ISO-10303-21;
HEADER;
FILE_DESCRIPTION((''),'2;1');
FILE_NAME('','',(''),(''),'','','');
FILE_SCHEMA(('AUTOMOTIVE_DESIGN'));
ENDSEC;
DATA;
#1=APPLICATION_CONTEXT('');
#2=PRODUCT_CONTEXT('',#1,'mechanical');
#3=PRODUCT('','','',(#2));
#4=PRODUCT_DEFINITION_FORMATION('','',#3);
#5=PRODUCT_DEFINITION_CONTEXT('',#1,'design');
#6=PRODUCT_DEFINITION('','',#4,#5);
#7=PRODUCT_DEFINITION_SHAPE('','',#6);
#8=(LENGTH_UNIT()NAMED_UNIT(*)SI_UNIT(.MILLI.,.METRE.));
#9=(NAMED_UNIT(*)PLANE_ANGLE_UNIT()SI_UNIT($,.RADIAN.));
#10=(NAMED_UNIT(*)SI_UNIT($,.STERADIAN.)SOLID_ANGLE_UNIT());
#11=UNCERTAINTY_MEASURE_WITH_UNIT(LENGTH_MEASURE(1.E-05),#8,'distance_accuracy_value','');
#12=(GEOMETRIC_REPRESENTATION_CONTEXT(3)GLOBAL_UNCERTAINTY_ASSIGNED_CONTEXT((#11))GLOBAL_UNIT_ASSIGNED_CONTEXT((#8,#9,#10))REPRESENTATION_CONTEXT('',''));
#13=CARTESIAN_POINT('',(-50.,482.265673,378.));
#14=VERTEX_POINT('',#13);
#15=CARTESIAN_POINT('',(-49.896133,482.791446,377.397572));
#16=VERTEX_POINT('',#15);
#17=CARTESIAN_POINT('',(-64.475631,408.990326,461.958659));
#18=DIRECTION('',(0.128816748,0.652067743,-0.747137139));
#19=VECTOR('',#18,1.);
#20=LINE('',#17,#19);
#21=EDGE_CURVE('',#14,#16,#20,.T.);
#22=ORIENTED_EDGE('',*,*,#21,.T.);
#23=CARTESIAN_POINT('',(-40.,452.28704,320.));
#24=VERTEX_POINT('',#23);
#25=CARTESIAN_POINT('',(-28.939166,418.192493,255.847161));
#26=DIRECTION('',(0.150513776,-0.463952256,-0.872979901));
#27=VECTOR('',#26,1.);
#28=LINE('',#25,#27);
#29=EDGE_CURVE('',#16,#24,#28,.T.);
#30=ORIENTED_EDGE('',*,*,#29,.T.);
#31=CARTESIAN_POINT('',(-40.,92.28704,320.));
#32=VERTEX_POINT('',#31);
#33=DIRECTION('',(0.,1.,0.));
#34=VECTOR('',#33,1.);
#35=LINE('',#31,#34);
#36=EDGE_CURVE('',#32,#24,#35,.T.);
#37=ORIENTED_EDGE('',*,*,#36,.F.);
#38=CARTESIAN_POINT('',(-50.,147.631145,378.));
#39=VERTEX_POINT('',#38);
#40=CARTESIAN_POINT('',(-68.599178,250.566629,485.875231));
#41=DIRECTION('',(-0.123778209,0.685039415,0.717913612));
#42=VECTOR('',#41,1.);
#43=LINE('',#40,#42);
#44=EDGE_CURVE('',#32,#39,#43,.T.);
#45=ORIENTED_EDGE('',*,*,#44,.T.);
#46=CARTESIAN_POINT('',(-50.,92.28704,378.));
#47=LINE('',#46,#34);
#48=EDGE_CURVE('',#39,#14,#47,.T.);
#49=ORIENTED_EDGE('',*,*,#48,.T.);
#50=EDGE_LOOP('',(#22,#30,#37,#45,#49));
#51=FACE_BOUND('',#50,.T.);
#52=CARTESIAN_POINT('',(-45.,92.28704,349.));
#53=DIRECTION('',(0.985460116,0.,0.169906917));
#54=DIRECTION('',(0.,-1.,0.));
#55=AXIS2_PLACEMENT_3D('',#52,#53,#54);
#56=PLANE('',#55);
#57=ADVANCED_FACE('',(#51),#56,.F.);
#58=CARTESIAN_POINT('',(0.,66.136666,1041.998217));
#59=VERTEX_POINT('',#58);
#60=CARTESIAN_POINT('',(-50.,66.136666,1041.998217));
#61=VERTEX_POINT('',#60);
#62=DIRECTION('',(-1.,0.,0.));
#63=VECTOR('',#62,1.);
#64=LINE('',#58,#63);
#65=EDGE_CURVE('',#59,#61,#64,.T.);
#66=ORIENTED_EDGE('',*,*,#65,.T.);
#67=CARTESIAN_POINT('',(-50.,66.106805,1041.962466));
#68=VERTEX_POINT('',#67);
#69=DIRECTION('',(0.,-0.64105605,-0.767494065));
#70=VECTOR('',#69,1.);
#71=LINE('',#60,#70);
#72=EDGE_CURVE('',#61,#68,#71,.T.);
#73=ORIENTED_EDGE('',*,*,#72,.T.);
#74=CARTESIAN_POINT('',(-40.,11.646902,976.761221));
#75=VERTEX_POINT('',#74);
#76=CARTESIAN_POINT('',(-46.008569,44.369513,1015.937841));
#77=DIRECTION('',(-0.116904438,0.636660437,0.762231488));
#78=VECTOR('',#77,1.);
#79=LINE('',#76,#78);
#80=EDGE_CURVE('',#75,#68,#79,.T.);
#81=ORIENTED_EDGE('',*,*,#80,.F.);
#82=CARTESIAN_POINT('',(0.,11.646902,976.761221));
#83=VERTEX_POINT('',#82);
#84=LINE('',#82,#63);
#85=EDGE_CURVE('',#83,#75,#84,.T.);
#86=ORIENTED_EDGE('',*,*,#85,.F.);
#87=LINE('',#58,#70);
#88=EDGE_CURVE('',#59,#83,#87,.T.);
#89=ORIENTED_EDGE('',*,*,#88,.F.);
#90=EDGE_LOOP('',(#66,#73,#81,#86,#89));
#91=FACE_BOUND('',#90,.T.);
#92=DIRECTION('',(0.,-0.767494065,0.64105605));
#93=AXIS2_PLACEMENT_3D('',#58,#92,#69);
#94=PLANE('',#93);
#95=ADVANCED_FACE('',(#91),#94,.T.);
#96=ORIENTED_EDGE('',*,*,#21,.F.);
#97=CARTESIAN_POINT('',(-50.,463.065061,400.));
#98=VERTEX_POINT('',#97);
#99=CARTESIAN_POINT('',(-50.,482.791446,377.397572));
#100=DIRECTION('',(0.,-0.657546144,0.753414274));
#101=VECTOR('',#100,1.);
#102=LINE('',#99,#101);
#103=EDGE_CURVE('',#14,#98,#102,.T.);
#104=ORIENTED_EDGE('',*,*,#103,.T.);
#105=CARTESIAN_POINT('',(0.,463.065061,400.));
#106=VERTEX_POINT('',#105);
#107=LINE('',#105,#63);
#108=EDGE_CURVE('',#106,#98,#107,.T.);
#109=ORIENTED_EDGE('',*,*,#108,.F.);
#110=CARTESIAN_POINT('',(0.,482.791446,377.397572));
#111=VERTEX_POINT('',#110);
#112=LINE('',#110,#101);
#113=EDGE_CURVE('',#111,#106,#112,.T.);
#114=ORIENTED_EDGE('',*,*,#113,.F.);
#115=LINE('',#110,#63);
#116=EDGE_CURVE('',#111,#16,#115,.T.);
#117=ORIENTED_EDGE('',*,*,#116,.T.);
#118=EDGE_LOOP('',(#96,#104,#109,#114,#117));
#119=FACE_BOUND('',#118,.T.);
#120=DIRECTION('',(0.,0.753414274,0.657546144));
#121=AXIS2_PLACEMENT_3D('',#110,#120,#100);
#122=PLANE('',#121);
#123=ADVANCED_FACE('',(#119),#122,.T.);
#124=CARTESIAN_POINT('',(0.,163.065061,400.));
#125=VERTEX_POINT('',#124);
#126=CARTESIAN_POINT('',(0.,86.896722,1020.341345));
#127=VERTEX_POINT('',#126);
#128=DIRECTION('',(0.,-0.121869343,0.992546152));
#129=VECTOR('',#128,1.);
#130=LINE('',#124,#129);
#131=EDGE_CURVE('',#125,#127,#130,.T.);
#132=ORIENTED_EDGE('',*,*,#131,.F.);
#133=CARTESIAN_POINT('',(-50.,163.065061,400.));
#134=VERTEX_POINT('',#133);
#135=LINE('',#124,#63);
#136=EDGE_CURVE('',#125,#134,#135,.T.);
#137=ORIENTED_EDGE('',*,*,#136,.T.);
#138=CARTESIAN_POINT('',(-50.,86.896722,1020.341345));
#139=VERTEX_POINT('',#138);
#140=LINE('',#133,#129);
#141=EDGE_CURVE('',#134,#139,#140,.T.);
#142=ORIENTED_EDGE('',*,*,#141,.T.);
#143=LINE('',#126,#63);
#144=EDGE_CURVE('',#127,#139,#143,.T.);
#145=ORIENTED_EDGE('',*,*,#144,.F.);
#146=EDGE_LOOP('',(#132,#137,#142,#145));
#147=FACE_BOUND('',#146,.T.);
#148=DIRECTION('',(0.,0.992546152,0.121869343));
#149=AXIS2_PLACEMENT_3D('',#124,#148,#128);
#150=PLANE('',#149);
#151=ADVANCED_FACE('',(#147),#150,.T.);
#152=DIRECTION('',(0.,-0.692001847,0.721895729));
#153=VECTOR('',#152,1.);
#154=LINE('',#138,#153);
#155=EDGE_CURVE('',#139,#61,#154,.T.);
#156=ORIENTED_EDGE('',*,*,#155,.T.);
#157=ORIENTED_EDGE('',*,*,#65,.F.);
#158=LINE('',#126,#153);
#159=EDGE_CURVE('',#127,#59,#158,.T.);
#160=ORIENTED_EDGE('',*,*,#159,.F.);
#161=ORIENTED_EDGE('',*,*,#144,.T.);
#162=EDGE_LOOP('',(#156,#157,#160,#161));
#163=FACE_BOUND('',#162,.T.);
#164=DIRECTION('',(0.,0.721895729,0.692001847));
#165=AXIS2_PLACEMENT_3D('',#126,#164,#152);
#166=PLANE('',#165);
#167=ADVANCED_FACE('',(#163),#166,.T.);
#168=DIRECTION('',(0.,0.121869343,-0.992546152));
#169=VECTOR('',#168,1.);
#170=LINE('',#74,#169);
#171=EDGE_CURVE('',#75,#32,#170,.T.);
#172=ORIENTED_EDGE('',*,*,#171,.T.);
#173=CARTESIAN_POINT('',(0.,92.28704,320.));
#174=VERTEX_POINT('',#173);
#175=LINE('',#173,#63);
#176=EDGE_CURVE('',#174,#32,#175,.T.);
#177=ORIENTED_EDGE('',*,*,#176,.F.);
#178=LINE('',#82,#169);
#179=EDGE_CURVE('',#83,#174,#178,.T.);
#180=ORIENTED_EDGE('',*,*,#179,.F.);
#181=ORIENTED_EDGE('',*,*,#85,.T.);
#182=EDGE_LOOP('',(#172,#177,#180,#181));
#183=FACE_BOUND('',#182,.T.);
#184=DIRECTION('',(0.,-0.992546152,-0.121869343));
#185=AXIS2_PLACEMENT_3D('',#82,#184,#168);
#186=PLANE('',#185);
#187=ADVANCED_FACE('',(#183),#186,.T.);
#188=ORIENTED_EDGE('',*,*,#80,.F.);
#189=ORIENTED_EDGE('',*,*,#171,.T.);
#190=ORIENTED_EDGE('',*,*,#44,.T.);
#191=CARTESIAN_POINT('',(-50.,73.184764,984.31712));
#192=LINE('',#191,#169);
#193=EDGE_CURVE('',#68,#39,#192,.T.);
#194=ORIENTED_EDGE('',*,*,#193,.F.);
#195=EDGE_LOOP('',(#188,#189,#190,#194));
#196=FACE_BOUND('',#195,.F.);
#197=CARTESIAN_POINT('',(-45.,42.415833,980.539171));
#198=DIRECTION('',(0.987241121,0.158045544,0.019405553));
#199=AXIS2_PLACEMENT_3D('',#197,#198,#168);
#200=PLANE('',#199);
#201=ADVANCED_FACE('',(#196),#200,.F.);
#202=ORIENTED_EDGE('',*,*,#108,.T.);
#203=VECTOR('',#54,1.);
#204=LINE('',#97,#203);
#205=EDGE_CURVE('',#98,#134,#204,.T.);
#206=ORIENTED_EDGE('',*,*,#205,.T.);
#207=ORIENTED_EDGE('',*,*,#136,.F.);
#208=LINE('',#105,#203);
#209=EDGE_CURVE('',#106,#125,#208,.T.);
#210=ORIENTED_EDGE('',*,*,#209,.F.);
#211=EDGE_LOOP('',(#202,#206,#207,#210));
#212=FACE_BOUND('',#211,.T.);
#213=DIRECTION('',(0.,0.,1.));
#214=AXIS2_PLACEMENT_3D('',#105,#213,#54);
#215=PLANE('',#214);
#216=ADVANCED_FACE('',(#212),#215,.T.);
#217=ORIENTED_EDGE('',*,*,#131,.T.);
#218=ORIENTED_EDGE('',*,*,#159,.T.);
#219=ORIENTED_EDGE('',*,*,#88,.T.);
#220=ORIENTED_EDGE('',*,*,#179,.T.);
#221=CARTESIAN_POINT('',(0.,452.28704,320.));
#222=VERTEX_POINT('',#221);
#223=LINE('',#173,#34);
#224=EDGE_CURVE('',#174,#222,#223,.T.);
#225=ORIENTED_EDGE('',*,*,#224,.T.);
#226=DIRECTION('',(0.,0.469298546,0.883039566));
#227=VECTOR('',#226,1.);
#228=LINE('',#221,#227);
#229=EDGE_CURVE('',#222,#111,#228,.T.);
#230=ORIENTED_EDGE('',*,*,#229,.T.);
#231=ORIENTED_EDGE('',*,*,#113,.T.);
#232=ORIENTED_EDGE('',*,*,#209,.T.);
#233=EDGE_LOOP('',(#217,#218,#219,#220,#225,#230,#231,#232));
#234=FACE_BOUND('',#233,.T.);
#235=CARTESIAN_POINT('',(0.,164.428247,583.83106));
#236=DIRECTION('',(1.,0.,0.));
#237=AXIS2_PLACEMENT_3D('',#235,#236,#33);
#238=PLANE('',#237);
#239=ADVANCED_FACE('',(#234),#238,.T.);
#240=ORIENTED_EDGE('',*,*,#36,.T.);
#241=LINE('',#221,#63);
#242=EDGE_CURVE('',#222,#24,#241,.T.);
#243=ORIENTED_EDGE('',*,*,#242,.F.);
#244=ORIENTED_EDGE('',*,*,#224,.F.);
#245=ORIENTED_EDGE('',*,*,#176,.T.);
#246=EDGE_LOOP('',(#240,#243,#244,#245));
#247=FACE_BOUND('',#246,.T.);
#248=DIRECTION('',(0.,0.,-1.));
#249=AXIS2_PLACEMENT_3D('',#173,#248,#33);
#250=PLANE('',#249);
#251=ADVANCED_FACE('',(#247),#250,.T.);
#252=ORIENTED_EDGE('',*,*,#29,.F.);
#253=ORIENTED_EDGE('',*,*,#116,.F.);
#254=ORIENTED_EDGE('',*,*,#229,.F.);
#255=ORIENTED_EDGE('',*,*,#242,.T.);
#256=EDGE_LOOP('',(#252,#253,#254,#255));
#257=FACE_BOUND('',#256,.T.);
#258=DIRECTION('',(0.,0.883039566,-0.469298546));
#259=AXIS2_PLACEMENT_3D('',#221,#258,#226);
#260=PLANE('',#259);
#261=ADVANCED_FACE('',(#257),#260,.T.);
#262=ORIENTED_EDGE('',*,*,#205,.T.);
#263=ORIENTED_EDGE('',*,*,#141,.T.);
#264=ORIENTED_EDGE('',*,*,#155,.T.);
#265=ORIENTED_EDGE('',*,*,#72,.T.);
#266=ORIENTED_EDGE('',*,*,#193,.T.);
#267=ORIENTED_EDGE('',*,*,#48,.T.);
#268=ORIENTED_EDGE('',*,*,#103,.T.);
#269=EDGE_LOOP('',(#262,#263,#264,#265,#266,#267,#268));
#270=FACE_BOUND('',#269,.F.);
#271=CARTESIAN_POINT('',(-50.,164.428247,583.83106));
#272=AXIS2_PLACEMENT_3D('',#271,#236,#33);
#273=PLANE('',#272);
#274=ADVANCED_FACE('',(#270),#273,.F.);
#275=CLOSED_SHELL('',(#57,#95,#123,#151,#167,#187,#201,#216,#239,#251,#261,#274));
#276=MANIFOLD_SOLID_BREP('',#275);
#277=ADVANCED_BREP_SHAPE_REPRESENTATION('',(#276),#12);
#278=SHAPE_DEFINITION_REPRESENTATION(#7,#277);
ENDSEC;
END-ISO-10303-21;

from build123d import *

# Parameters (mm, degrees)
F1_DEPTH = 50
F2_SIZE2 = 10
F2_SIZE  = 58
F3_SIZE2 = 62
F3_SIZE  = 10


with BuildPart() as f1:
    # F0 (on Right) → F1 (new body)
    with BuildSketch(Plane.YZ):
        Polygon((482.7914457609, 377.3975717771), (463.0650614387, 400), (163.0650614387, 400), (86.8967218104, 1020.3413447758), (66.1366664017, 1041.9982166512), (11.6469021237, 976.7612210971), (92.2870402742, 320), (452.2870402742, 320), align=None)
    extrude(amount=-F1_DEPTH)

    # F2
    f2_edges = [f1.edges().sort_by_distance(p)[0] for p in [
        (-50, 272.28704, 320),
    ]]
    f2_side = f1.faces().sort_by_distance((-50, 466.432885, 383.02992))[0]
    chamfer(f2_edges, length=F2_SIZE, length2=F2_SIZE2, reference=f2_side)

    # F3
    f3_edges = [f1.edges().sort_by_distance(p)[0] for p in [
        (-50, 48.406219, 677.380611),
    ]]
    f3_side = f1.faces().sort_by_distance((-24.806952, 51.628874, 651.134191))[0]
    chamfer(f3_edges, length=F3_SIZE, length2=F3_SIZE2, reference=f3_side)


solid = f1.part
